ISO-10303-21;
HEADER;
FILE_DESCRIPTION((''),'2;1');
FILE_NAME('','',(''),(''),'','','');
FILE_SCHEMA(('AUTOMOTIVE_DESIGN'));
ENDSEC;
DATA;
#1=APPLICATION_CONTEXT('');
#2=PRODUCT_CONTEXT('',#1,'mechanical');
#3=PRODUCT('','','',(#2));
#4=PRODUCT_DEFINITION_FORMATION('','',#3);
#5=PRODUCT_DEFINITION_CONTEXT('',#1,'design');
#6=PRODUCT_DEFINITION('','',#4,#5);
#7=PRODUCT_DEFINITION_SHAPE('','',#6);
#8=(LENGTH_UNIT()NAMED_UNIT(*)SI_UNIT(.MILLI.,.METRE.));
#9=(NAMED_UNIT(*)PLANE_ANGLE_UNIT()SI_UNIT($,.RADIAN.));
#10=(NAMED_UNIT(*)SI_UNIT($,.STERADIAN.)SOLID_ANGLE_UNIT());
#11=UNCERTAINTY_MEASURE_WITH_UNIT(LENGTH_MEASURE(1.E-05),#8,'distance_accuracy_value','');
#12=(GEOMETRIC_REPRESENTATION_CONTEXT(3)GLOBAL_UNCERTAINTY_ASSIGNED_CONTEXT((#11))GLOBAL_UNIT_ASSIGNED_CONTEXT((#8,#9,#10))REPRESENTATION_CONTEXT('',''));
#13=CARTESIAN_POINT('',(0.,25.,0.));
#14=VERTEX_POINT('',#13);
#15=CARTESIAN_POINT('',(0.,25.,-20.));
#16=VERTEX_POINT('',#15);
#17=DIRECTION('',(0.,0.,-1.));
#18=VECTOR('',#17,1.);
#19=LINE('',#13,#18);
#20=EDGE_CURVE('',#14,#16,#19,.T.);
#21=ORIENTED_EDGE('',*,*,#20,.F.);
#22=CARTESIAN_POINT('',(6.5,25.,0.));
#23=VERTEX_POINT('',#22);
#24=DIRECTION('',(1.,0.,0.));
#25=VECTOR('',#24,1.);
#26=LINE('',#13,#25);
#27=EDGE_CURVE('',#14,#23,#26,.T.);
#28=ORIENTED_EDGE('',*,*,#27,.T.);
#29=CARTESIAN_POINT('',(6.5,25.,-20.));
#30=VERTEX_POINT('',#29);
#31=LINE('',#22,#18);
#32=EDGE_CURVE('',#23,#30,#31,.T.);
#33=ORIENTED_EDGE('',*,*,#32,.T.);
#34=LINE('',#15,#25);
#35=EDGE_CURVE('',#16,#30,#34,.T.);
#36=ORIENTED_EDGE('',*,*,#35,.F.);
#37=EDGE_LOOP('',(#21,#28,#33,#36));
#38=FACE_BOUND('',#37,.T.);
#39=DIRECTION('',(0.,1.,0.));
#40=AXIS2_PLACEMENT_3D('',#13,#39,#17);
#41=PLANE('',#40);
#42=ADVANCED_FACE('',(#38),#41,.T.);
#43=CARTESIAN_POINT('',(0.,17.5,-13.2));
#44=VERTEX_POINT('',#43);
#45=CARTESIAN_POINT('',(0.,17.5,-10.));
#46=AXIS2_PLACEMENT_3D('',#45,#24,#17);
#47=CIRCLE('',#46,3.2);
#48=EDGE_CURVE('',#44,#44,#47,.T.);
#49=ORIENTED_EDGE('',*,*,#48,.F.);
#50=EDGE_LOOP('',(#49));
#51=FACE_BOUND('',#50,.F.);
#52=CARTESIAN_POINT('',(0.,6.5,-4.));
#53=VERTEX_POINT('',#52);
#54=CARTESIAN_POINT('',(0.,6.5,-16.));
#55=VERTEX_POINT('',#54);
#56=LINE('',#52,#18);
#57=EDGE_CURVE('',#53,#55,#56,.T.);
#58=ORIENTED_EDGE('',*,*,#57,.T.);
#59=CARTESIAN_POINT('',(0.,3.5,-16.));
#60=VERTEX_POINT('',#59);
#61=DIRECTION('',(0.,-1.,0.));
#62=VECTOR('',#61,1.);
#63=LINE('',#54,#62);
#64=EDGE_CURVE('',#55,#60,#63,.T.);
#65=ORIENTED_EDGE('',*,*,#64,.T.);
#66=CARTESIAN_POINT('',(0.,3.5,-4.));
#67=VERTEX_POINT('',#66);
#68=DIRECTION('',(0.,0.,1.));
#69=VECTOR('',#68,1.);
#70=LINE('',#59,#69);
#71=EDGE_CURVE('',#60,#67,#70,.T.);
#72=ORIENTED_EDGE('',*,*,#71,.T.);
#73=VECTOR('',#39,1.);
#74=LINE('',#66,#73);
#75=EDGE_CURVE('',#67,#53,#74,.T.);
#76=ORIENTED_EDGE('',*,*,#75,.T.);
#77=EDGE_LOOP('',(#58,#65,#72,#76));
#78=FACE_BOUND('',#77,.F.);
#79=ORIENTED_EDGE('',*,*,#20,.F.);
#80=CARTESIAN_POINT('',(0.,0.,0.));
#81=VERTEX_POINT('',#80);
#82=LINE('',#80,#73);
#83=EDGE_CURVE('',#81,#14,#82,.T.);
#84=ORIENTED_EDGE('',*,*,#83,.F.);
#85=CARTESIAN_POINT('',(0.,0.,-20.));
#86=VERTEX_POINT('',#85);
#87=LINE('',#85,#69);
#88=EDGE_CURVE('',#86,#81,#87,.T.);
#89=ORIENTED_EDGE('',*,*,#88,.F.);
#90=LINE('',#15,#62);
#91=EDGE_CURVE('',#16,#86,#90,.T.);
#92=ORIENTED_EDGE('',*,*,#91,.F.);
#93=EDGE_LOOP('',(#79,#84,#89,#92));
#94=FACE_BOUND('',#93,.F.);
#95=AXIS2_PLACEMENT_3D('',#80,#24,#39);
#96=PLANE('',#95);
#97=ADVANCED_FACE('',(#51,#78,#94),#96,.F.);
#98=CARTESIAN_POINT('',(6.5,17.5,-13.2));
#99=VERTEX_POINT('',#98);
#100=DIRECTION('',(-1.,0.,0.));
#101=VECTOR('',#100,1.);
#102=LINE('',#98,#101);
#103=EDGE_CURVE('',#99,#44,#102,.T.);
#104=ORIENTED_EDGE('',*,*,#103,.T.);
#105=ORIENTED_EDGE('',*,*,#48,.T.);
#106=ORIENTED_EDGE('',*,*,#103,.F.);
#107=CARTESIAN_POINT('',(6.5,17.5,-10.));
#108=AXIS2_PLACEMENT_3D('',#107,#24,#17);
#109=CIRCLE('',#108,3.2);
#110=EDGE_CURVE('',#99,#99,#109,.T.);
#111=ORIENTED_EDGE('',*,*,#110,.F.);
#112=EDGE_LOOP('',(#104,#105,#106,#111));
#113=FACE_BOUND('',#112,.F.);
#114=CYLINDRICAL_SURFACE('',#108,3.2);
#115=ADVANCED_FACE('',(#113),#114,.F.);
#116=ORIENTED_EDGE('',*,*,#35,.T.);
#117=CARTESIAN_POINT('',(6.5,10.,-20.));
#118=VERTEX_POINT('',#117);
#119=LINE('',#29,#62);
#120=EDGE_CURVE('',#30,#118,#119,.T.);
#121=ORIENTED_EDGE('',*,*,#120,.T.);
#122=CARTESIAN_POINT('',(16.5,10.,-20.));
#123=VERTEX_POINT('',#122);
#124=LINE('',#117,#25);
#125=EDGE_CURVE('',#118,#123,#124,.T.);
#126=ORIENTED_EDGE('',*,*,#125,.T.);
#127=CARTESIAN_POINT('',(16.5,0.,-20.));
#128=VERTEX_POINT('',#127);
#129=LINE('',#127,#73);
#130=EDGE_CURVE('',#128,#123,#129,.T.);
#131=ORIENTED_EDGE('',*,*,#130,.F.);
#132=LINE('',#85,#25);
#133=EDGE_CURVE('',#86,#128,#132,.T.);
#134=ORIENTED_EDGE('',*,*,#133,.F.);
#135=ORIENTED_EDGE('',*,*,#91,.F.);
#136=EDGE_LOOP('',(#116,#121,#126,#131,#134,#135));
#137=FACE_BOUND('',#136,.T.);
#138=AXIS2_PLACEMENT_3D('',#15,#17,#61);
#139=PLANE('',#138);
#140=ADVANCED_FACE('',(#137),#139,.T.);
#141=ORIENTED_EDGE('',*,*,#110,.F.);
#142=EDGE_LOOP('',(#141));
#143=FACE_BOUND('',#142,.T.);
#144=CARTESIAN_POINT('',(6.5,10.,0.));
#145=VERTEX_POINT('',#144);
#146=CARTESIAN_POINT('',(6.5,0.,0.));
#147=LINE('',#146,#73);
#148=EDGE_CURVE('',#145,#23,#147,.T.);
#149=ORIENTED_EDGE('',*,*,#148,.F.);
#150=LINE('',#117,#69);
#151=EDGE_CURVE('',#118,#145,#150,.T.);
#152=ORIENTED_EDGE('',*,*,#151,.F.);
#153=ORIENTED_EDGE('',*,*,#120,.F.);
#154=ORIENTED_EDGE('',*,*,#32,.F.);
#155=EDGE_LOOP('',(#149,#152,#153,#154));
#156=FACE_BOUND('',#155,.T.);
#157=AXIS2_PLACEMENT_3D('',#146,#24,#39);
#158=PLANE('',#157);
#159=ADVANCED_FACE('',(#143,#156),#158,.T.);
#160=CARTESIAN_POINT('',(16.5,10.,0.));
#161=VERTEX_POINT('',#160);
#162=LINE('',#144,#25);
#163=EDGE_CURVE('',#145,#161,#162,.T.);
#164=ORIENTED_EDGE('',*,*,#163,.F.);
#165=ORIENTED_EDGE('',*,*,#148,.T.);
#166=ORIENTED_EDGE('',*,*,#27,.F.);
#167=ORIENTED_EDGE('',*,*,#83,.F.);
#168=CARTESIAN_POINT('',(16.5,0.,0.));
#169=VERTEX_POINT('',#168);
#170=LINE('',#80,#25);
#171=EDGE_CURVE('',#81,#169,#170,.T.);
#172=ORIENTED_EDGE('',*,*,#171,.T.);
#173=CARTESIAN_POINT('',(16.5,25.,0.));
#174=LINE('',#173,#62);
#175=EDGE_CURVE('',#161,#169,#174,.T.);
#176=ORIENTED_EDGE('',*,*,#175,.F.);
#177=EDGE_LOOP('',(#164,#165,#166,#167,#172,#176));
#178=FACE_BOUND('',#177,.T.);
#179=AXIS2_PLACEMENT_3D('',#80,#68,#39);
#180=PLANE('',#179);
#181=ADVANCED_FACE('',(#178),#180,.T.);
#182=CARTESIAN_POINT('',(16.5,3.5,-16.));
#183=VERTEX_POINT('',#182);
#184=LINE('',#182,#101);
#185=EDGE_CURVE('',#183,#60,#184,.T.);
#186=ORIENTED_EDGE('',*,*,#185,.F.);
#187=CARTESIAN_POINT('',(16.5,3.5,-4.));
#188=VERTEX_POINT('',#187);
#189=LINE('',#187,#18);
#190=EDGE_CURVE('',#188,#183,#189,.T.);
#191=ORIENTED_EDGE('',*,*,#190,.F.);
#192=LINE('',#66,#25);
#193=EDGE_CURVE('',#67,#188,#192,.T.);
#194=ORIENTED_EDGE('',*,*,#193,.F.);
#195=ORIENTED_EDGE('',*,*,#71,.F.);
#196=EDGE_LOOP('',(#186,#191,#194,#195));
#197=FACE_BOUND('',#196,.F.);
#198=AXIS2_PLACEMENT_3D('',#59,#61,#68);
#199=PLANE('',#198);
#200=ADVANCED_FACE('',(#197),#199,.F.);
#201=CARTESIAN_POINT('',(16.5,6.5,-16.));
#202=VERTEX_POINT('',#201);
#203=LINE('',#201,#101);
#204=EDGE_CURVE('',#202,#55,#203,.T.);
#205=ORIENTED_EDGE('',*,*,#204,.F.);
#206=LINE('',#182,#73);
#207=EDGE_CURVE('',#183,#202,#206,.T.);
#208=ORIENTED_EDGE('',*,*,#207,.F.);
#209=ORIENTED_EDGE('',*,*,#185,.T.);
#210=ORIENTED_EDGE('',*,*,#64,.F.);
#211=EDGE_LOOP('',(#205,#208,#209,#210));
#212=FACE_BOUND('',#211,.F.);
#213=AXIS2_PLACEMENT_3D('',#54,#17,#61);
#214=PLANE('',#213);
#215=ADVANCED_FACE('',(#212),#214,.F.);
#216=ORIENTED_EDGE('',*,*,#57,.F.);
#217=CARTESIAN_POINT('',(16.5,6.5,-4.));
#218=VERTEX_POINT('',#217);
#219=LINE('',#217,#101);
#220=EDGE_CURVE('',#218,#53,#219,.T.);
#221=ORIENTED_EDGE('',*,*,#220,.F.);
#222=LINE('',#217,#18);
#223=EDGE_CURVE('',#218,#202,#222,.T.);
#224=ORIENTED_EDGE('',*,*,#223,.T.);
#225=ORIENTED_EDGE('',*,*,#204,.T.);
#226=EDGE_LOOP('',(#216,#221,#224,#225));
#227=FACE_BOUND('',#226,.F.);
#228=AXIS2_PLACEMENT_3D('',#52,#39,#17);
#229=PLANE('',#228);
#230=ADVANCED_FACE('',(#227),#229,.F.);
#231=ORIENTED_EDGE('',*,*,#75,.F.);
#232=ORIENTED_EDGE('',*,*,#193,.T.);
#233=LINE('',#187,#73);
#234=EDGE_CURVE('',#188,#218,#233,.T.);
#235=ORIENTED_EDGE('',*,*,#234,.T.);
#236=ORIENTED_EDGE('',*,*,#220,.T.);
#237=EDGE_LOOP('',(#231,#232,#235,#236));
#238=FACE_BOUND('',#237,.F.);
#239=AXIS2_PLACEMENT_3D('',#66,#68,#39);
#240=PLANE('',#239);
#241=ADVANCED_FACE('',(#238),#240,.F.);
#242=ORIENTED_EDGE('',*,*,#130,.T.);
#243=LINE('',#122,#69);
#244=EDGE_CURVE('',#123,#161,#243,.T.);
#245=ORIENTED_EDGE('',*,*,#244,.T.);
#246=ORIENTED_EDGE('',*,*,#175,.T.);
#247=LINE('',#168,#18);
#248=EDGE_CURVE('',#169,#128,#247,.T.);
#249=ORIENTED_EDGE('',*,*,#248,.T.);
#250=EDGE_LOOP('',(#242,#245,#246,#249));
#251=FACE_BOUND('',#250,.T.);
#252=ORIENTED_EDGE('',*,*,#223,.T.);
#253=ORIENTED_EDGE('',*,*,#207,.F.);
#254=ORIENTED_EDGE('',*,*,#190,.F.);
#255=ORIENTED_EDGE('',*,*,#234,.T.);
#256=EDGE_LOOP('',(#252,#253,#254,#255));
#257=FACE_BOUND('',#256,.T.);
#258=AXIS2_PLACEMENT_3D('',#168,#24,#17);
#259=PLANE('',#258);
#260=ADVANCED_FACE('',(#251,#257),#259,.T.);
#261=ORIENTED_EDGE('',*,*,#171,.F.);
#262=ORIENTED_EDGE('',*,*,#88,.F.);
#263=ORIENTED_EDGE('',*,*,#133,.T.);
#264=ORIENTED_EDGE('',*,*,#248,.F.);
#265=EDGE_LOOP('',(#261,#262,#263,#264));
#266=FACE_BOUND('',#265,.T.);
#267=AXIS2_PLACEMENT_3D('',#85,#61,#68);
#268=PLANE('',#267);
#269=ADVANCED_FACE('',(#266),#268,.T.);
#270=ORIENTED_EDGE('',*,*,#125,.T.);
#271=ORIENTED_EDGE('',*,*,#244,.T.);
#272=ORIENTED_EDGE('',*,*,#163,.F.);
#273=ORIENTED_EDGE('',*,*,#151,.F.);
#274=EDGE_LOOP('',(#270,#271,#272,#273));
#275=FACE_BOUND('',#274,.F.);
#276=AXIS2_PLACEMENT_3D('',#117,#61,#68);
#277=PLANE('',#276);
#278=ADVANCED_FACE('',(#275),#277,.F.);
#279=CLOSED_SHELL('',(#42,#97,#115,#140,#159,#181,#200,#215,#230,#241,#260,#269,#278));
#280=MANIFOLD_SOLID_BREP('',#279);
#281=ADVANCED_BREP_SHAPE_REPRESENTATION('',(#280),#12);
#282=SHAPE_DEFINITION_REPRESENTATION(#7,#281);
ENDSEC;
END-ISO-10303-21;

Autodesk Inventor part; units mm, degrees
ref_plane "YZ Plane" through (0, 0, 0) normal (1, 0, 0) x (0, 1, 0)
ref_plane "XZ Plane" through (0, 0, 0) normal (0, 1, 0) x (-1, 0, 0)
ref_plane "XY Plane" through (0, 0, 0) normal (0, 0, 1) x (1, 0, 0)
sketch "Sketch1" plane through (0, 0, 0) normal (1, 0, 0) x (0, 1, 0)
  line L0 (0, 0) -> (25, 0)
  line L1 (25, 0) -> (25, -20)
  line L2 (25, -20) -> (0, -20)
  line L3 (0, -20) -> (0, 0)
  line L4 (3.5, -4) -> (6.5, -4)
  line L5 (6.5, -4) -> (6.5, -16)
  line L6 (6.5, -16) -> (3.5, -16)
  line L7 (3.5, -16) -> (3.5, -4)
  dimension "d0" = 25
  dimension "d1" = 20
  dimension "d2" = 3
  dimension "d3" = 12
extrude "Extrusion1" add sketch "Sketch1" along normal blind 6.5
sketch "Sketch2" plane through (6.5, 0, 0) normal (1, 0, 0) x (0, 0, -1)
  line L0 (0, 25) -> (0, 0) projected
  line L1 (20, 0) -> (20, 25) projected
  line L2 (0, 0) -> (20, 0)
  line L3 (20, 0) -> (20, 10)
  line L4 (20, 10) -> (0, 10)
  line L5 (0, 10) -> (0, 0)
  line L6 (4, 3.5) -> (4, 6.5) projected
  line L7 (4, 6.5) -> (16, 6.5) projected
  line L8 (4, 3.5) -> (16, 3.5)
  line L9 (16, 3.5) -> (16, 6.5)
  line L10 (16, 6.5) -> (4, 6.5)
  line L11 (4, 6.5) -> (4, 3.5)
  dimension "d6" = 10
extrude "Extrusion2" add sketch "Sketch2" along normal blind 10
sketch "Sketch3" plane through (6.5, 0, 0) normal (1, 0, 0) x (0, 0, -1)
  line L0 (20, 0) -> (20, 25) construction
  line L1 (0, 10) -> (0, 0) construction
  line L2 (20, 25) -> (0, 10) construction
  circle A0 centre (10, 17.5) radius 3.2
  dimension "d9" = 6.4
extrude "Extrusion3" cut sketch "Sketch3" against normal blind 10
properties part number "_3DPrint"
